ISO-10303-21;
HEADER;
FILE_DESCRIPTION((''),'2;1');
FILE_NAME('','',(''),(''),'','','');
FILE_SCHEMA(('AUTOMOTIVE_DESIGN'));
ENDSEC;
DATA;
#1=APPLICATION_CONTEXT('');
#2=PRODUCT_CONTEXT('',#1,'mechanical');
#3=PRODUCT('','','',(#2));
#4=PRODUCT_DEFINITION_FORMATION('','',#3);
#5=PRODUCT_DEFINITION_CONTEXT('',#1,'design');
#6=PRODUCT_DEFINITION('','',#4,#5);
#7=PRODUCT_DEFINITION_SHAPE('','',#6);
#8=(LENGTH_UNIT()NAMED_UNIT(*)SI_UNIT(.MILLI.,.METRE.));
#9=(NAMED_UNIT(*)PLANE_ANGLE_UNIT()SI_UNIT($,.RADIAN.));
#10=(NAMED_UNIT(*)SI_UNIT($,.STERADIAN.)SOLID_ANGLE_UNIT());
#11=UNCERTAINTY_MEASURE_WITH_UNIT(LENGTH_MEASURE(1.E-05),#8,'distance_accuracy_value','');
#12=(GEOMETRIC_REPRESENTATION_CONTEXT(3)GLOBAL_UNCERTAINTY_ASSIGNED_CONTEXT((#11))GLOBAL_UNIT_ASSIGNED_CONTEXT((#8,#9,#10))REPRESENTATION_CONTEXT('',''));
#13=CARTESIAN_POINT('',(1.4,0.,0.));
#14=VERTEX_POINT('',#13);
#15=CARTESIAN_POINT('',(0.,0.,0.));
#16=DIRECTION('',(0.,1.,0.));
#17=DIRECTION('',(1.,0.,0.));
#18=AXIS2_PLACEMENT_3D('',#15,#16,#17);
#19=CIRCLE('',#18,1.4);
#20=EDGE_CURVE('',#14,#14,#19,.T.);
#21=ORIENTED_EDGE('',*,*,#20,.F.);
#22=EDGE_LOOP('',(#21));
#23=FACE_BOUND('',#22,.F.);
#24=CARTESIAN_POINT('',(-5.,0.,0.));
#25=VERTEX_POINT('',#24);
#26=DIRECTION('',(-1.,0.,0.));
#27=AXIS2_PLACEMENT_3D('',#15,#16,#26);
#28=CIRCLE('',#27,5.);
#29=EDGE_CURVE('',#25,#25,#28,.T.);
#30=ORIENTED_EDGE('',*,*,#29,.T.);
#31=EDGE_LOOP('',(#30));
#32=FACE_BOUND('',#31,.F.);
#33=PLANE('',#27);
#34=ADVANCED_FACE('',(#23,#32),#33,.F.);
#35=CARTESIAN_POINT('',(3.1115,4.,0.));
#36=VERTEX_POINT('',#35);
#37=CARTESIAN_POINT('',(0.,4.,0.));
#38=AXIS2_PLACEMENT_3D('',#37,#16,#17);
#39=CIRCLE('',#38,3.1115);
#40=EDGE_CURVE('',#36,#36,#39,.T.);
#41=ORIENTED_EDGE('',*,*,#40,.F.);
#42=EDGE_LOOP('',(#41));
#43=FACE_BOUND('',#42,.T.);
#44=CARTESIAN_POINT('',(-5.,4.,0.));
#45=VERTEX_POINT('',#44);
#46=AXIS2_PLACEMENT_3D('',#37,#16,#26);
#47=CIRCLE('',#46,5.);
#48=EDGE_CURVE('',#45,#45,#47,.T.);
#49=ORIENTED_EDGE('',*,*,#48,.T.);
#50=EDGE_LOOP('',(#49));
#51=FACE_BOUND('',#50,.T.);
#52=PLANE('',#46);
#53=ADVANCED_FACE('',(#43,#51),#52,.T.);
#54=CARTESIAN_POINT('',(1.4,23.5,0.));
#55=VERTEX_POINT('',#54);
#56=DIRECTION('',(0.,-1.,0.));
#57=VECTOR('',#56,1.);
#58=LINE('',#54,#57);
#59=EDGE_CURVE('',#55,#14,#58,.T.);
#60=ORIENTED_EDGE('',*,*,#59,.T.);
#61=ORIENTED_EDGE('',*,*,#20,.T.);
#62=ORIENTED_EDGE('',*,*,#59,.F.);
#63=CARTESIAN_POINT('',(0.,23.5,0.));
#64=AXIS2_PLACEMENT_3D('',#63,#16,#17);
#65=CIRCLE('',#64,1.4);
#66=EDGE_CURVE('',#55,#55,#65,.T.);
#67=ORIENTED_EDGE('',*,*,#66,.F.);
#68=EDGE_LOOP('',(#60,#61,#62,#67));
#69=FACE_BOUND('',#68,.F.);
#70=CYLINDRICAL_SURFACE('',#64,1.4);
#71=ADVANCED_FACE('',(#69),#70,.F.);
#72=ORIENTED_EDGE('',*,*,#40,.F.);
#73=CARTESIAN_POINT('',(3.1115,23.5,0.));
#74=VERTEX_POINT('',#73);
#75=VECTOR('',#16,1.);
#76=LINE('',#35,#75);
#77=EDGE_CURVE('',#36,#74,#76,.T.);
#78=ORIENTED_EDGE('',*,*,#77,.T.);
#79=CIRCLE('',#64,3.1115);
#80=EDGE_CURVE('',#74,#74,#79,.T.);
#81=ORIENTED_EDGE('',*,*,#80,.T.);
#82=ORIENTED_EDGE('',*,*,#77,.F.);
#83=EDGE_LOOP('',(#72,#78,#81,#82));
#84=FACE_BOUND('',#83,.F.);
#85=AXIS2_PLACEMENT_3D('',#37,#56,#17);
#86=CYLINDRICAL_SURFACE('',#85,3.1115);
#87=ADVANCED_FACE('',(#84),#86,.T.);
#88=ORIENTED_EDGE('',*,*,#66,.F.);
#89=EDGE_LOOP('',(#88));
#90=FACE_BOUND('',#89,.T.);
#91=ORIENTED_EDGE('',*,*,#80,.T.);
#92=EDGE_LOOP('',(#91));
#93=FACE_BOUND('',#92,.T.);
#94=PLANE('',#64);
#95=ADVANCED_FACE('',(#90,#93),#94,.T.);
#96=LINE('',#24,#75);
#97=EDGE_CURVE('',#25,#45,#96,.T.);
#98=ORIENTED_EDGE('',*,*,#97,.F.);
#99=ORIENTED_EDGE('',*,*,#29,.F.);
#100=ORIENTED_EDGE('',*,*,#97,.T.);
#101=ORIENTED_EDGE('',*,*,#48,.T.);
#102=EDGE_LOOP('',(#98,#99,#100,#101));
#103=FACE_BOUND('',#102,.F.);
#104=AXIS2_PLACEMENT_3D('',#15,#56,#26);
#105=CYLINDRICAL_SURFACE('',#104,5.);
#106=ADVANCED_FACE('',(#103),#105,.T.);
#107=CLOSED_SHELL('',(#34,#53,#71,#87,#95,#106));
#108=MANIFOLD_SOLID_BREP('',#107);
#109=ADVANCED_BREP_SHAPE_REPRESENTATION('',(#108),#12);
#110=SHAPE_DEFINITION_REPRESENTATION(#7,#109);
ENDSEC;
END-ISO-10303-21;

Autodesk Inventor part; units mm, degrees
ref_plane "YZ Plane" through (0, 0, 0) normal (1, 0, 0) x (0, 1, 0)
ref_plane "XZ Plane" through (0, 0, 0) normal (0, 1, 0) x (-1, 0, 0)
ref_plane "XY Plane" through (0, 0, 0) normal (0, 0, 1) x (1, 0, 0)
sketch "Sketch1" plane through (0, 0, 0) normal (0, 1, 0) x (-1, 0, 0)
  circle A0 centre (0, 0) radius 5
  dimension "d0" = 10
extrude "Extrusion1" add sketch "Sketch1" along normal blind 4
sketch "Sketch2" plane through (0, 4, 0) normal (0, 1, 0) x (1, 0, 0)
  circle A0 centre (0, 0) radius 3.1115
  dimension "d3" = 6.223
extrude "Extrusion2" add sketch "Sketch2" along normal blind 19.5
sketch "Sketch3" plane through (0, 23.5, 0) normal (0, 1, 0) x (1, 0, 0)
  circle A0 centre (0, 0) radius 1.4
  dimension "d6" = 2.8
extrude "Extrusion3" cut sketch "Sketch3" against normal through all
properties part number "BoltandHole12"
